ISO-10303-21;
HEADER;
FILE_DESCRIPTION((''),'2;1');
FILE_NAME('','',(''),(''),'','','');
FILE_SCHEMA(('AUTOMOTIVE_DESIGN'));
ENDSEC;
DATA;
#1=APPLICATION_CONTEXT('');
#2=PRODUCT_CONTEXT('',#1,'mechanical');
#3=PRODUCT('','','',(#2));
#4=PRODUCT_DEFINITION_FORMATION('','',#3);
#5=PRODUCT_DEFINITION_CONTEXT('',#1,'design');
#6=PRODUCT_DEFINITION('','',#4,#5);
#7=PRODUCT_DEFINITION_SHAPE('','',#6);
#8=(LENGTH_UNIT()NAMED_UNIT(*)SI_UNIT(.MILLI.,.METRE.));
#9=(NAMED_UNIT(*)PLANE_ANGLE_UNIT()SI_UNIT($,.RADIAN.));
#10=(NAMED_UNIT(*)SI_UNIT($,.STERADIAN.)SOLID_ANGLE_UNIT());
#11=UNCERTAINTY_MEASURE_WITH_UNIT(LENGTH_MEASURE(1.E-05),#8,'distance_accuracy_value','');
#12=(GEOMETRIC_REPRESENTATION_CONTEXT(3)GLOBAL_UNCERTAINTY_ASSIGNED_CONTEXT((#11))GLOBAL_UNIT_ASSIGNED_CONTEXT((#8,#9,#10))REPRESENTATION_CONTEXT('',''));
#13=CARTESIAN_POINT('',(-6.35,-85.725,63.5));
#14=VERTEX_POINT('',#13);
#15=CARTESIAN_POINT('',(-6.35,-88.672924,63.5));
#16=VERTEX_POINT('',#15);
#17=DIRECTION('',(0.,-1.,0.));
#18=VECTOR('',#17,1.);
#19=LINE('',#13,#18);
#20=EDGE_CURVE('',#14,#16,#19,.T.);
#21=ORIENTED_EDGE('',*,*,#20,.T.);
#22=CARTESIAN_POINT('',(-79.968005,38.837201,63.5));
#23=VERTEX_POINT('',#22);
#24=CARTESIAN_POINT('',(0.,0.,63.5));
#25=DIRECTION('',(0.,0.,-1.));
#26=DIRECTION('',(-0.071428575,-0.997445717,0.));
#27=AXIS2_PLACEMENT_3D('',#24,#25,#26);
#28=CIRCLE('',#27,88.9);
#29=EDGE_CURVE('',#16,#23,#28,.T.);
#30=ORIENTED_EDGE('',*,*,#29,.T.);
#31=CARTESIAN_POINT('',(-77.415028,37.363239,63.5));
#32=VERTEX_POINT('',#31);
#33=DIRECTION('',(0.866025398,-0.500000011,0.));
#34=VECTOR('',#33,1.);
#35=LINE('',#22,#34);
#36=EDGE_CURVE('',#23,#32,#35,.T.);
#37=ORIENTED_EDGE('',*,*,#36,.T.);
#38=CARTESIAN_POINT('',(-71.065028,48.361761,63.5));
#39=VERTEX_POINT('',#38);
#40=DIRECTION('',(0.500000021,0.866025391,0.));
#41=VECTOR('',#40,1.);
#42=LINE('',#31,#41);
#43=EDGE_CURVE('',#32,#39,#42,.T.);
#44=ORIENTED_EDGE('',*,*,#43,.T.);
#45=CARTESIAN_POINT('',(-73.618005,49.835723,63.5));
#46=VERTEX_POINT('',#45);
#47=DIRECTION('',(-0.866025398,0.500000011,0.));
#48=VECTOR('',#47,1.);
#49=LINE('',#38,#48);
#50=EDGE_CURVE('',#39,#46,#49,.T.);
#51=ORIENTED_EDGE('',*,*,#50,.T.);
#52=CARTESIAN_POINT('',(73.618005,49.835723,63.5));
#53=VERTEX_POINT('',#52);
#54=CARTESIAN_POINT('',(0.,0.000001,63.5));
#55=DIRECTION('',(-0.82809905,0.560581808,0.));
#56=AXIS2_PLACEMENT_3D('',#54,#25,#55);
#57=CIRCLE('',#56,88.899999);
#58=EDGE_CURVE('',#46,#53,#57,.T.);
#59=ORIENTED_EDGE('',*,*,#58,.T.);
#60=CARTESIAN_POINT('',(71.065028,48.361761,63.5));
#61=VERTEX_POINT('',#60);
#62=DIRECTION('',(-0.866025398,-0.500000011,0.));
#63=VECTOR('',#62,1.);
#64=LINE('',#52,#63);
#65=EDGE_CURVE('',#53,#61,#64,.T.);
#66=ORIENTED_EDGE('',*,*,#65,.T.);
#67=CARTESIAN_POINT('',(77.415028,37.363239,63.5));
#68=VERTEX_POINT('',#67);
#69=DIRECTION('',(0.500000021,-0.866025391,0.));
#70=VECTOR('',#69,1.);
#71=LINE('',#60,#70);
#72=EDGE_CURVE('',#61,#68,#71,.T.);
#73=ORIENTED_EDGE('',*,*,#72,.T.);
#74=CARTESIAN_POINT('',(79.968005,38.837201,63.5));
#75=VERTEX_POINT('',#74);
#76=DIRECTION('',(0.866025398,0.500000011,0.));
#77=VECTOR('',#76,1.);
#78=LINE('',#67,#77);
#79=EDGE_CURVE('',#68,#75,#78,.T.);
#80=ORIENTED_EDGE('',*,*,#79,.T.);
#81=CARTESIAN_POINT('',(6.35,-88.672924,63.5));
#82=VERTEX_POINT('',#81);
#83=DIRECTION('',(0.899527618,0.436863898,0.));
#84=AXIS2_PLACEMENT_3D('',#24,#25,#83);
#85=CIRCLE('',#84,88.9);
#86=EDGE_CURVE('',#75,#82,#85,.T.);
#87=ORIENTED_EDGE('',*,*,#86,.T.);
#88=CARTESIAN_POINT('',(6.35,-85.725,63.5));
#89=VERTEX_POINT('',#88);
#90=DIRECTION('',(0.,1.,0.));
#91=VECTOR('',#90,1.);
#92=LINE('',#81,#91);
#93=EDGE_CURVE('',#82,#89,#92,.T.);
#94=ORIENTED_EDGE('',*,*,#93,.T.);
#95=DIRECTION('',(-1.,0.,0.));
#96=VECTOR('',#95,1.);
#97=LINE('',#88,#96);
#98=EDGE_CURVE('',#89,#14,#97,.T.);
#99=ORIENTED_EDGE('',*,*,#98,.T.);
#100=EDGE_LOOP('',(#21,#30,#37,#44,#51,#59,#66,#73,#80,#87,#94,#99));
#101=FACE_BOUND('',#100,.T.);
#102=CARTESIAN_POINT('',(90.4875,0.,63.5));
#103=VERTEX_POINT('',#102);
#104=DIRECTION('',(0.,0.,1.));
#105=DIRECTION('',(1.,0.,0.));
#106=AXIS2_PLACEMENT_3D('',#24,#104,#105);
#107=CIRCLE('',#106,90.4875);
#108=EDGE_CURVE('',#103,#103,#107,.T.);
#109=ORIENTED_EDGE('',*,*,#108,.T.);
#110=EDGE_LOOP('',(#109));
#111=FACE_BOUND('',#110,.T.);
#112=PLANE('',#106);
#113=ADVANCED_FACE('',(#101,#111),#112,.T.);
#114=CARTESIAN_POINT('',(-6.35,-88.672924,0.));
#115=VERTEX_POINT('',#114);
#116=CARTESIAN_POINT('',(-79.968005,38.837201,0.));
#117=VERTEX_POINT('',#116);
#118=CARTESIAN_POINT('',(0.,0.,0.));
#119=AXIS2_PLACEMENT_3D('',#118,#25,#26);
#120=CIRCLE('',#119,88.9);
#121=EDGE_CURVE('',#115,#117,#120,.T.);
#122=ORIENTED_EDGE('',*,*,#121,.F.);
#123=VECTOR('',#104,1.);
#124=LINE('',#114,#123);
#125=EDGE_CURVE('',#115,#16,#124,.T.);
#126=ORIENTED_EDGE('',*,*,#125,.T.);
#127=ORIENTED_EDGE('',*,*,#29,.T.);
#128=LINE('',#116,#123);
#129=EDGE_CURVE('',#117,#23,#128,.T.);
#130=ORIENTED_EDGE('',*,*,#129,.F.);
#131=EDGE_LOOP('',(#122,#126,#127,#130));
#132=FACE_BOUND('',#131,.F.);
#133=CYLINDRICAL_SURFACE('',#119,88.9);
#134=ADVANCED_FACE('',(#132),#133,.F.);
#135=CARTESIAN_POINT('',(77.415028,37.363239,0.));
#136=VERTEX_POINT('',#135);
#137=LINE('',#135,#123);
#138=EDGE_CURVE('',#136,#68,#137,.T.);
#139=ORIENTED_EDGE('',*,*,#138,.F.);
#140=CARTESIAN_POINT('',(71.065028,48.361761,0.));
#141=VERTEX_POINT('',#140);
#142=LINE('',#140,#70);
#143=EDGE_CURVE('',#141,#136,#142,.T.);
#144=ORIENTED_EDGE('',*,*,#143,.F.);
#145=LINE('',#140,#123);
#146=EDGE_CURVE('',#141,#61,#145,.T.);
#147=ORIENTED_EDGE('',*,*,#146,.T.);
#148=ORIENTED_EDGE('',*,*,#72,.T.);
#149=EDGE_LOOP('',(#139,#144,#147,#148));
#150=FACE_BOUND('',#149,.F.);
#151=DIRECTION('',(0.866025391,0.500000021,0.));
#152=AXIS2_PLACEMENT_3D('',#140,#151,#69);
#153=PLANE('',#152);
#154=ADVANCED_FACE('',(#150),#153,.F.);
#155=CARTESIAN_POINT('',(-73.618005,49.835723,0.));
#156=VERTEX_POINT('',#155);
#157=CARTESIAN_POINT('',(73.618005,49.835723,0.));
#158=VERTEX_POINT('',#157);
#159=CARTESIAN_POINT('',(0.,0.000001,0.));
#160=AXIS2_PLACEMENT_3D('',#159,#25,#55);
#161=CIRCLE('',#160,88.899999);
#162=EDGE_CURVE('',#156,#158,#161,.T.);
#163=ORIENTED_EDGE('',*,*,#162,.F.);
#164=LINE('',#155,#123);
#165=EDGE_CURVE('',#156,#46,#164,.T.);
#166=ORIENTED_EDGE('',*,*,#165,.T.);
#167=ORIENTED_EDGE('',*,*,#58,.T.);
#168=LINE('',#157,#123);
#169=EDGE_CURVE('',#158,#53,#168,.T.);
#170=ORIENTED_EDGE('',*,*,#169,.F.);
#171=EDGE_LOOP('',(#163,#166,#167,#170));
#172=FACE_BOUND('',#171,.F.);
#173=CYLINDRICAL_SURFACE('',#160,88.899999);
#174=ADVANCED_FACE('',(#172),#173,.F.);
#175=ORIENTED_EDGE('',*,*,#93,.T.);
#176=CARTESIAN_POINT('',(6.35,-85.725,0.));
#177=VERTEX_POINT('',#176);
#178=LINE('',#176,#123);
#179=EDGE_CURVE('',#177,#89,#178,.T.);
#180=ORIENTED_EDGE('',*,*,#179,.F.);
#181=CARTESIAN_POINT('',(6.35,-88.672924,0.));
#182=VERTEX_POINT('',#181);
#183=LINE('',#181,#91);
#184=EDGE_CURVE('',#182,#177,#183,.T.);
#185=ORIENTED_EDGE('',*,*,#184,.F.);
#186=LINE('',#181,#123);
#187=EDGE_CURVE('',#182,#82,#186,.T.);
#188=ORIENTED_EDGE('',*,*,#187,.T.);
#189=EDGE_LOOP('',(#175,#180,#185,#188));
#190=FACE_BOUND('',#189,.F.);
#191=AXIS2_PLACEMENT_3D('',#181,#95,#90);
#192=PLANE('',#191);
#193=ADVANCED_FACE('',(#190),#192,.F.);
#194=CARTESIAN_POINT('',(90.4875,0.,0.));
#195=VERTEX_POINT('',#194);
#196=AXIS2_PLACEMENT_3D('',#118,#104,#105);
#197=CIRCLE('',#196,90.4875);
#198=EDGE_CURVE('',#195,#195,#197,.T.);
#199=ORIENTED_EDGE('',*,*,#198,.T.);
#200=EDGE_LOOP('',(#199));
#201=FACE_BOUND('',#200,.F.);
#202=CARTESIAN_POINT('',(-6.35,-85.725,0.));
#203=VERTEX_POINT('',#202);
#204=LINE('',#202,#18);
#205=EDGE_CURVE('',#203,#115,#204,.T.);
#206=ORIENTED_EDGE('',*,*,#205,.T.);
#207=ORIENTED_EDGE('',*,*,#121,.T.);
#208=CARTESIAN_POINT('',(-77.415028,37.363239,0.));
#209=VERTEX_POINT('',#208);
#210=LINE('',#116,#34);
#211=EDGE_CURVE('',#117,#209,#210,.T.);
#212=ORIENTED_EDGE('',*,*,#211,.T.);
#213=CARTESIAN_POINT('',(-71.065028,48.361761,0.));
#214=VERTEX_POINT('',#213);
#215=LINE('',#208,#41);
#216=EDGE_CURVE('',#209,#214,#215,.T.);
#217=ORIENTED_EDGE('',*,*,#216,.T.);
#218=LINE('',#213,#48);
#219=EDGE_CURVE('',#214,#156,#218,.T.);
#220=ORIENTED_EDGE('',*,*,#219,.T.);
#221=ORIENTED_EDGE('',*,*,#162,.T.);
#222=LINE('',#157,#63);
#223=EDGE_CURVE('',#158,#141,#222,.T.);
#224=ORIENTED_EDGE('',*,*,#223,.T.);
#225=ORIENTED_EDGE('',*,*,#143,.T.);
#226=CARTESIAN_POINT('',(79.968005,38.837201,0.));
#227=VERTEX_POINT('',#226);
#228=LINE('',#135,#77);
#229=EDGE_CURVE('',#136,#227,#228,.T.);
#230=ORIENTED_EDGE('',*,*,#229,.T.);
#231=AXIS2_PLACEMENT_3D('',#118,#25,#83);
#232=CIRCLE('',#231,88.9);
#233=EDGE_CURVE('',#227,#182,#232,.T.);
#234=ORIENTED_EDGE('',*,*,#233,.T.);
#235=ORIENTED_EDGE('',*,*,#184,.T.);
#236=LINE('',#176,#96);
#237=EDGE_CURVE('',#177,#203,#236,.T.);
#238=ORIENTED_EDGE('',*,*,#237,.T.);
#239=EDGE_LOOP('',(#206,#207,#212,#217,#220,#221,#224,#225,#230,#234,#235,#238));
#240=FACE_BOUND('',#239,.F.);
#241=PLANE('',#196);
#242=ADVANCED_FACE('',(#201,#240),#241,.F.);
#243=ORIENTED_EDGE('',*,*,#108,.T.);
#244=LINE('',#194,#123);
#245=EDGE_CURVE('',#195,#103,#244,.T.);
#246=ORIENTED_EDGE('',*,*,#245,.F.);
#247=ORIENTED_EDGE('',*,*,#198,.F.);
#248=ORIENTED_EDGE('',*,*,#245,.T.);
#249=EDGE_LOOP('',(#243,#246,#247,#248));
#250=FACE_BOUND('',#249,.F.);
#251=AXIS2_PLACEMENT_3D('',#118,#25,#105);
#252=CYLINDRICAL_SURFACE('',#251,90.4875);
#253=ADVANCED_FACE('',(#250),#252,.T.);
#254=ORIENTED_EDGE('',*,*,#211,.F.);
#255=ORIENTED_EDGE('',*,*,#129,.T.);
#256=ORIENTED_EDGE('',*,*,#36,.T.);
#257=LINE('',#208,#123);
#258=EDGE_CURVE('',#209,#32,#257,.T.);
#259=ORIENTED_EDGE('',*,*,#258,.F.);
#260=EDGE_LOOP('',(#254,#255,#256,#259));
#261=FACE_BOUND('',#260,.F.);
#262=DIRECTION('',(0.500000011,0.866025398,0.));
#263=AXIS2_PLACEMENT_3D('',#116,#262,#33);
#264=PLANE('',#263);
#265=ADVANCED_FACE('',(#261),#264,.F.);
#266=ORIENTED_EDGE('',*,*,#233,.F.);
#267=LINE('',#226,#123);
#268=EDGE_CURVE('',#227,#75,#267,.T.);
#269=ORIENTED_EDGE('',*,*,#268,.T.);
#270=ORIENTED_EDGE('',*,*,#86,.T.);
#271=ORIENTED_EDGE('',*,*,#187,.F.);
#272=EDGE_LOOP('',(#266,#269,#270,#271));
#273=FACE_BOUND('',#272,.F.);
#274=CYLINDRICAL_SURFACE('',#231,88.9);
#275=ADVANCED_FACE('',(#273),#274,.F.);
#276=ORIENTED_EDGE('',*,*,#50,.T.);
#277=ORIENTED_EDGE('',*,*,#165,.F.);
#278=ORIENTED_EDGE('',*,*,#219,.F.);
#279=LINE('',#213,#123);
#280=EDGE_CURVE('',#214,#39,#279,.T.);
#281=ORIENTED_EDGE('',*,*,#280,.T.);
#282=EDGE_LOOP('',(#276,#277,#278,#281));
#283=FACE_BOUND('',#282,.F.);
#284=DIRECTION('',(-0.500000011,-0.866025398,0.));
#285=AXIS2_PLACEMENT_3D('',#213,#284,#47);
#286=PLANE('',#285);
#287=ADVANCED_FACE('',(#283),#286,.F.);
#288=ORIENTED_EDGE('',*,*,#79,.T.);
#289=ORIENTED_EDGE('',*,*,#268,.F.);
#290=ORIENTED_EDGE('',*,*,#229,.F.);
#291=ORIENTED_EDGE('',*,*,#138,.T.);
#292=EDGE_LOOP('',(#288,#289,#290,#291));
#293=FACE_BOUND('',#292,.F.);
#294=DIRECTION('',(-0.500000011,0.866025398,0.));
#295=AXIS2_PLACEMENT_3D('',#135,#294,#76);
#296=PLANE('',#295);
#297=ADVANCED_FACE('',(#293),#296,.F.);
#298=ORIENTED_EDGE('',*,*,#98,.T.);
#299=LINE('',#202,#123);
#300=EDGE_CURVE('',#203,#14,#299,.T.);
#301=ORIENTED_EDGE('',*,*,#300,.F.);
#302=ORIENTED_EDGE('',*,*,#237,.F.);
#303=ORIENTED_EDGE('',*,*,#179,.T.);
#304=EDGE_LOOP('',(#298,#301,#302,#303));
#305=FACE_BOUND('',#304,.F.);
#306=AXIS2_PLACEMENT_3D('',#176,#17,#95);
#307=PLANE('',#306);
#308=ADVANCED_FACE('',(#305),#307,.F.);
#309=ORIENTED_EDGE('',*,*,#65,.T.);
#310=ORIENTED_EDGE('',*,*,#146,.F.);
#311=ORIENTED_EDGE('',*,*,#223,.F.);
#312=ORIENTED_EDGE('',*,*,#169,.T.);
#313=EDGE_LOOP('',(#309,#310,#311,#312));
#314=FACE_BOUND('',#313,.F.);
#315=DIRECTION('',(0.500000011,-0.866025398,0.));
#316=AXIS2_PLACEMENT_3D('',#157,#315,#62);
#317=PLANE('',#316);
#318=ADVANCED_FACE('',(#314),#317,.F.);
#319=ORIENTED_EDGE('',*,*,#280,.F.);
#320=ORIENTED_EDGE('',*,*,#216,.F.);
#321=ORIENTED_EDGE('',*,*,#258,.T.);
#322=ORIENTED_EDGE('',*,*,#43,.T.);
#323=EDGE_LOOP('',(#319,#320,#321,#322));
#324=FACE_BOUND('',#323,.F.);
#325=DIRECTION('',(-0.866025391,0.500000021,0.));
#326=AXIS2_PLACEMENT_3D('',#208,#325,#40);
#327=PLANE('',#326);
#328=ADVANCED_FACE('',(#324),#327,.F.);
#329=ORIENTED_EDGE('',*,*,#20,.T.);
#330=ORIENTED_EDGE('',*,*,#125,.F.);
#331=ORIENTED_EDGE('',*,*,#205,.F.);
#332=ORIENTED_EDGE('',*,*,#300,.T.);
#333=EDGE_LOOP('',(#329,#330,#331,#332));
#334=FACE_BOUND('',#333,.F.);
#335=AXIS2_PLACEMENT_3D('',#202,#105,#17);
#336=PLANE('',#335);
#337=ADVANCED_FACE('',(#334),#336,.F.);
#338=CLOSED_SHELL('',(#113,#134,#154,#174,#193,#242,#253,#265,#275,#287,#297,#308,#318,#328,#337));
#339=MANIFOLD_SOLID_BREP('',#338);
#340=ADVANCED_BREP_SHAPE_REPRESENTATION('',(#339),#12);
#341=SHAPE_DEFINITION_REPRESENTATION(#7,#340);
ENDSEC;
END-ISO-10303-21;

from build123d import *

# Parameters (mm, degrees)
F0_R     = 90.4875
F1_DEPTH = 63.5


with BuildPart() as f1:
    # F0 (on Top) → F1 (new body)
    with BuildSketch(Plane.XY):
        Circle(F0_R)
        with BuildLine():
            ThreePointArc((-6.35, -88.672924), (-76.989658, -44.45), (-79.968005, 38.837201))
            Line((-79.968005, 38.837201), (-77.415028, 37.363239))
            Line((-77.415028, 37.363239), (-74.240028, 42.8625))
            Line((-74.240028, 42.8625), (-71.065028, 48.361761))
            Line((-71.065028, 48.361761), (-73.618005, 49.835723))
            ThreePointArc((-73.618005, 49.835723), (0, 88.9), (73.618005, 49.835723))
            Line((73.618005, 49.835723), (71.065028, 48.361761))
            Line((71.065028, 48.361761), (74.240028, 42.8625))
            Line((74.240028, 42.8625), (77.415028, 37.363239))
            Line((77.415028, 37.363239), (79.968005, 38.837201))
            ThreePointArc((79.968005, 38.837201), (76.989658, -44.45), (6.35, -88.672924))
            Line((6.35, -88.672924), (6.35, -85.725))
            Line((6.35, -85.725), (0, -85.725))
            Line((0, -85.725), (-6.35, -85.725))
            Line((-6.35, -85.725), (-6.35, -88.672924))
        make_face(mode=Mode.SUBTRACT)
    extrude(amount=F1_DEPTH)


solid = f1.part
